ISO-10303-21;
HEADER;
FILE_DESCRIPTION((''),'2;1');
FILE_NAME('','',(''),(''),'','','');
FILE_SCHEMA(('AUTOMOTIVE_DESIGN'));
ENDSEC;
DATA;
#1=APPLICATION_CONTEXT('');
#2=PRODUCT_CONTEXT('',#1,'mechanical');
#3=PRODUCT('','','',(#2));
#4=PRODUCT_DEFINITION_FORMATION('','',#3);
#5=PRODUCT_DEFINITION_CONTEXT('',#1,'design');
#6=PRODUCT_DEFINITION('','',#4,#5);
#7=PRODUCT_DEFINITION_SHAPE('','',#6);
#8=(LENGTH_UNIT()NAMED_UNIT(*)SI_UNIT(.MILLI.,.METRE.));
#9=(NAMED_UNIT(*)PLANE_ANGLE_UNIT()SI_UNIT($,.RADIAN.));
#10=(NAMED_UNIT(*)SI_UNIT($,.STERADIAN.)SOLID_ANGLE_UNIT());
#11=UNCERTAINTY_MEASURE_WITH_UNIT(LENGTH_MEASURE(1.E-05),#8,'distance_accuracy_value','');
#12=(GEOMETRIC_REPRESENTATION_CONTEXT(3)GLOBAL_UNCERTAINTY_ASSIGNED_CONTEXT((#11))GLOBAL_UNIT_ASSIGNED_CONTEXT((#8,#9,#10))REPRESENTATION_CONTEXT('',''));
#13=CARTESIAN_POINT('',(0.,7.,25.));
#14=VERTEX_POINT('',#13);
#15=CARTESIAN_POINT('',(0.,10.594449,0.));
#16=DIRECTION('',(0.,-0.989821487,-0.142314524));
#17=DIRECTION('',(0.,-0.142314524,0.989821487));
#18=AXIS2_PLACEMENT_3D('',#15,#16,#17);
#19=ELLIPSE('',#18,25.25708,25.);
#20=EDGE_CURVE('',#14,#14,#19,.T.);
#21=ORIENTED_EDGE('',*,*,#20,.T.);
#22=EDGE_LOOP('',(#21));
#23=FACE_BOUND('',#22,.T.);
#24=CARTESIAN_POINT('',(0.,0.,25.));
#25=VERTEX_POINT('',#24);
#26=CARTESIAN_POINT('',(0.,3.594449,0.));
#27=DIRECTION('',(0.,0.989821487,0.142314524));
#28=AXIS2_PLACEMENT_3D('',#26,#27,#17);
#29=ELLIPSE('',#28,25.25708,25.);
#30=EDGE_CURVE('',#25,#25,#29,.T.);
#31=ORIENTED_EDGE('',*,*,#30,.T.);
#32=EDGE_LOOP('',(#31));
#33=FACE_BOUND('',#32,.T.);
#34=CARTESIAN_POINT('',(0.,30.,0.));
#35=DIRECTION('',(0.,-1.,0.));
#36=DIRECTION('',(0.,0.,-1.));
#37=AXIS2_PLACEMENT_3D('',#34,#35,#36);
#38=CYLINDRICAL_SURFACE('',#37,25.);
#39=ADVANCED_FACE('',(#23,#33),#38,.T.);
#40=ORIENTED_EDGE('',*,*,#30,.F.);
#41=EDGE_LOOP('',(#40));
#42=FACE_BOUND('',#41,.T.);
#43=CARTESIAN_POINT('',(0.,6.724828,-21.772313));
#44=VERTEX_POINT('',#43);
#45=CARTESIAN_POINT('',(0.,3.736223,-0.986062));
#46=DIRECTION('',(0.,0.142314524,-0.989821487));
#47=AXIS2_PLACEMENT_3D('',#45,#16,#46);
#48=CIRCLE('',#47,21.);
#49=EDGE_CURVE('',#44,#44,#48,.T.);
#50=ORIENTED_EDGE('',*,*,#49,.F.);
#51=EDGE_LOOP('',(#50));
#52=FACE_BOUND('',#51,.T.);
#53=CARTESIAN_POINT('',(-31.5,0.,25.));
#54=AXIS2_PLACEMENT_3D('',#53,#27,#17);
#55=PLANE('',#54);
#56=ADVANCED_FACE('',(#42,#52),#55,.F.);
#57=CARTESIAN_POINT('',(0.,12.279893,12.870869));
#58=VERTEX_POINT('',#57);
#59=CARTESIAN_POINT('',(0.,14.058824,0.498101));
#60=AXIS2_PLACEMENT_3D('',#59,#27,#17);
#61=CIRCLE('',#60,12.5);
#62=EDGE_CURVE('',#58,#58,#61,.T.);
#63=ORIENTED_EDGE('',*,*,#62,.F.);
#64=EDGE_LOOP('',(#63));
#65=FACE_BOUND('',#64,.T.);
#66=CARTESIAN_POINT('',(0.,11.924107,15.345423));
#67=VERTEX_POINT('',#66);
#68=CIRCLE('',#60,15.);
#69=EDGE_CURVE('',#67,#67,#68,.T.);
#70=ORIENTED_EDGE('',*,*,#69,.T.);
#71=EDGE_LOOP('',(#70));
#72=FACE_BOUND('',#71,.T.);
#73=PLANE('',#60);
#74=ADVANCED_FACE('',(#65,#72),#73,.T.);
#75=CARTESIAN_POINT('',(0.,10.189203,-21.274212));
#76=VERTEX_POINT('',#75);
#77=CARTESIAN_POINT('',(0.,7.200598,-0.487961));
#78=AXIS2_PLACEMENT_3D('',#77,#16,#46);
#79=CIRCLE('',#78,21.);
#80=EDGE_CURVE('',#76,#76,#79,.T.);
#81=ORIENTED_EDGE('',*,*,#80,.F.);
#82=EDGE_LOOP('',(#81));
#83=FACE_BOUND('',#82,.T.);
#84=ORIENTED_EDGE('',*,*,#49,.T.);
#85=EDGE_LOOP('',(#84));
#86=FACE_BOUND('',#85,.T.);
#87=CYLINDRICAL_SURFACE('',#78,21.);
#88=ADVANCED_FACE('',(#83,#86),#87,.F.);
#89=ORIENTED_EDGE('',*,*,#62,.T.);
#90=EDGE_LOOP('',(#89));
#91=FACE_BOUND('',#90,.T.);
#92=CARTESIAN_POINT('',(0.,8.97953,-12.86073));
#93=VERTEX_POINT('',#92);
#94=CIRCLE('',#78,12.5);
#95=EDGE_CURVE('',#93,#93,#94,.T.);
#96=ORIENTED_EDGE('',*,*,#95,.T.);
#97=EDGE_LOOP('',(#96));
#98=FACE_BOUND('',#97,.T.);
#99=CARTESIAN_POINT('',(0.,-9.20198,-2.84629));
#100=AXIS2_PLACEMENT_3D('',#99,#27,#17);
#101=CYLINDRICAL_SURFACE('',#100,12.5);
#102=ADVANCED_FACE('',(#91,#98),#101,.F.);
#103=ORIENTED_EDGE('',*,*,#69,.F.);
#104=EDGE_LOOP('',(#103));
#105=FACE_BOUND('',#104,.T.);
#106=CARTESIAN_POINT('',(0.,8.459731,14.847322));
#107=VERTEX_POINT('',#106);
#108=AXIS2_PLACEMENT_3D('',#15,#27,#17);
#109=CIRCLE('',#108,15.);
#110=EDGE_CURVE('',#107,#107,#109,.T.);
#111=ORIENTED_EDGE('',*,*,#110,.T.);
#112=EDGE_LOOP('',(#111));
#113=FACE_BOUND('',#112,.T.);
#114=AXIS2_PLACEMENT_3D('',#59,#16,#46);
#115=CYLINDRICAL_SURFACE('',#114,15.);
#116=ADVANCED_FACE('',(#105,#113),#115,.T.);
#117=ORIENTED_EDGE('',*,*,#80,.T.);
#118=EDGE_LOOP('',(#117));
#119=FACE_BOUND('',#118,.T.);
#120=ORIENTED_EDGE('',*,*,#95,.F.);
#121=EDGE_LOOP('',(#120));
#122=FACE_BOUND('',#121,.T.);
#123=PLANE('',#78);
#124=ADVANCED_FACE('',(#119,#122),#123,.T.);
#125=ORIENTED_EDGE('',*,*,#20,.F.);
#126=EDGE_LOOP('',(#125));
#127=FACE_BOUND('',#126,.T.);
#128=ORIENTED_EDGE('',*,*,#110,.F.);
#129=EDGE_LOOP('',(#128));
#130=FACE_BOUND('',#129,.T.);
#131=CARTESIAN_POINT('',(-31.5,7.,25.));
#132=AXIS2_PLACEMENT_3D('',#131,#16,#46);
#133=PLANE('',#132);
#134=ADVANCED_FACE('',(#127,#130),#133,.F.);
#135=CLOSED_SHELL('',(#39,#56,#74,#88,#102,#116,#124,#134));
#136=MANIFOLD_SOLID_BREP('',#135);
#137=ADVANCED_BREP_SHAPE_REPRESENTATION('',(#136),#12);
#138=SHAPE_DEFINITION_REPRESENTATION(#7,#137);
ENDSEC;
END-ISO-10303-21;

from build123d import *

# Parameters (mm, degrees)
SKETCH_1_R          = 25
EXTRUDE_1_DEPTH     = 30
CUT_EXTRUDE_1_DEPTH = 31.5
SKETCH_10_R         = 15
EXTRUDE_2_DEPTH     = 3.5
SKETCH_11_R         = 21
CUT_EXTRUDE_8_DEPTH = 3.5
SKETCH_12_R         = 12.5
CUT_EXTRUDE_9_DEPTH = 23.5


with BuildPart() as part:
    # 草图1 → 凸台-拉伸1 (new body)
    with BuildSketch(Plane(origin=(0, 0, 0), x_dir=(1, 0, 0), z_dir=(0, 1, 0))):
        Circle(SKETCH_1_R)
    extrude(amount=EXTRUDE_1_DEPTH)

    # 草图3 → 切除-拉伸1 (cut, symmetric)
    with BuildSketch(Plane(origin=(0, 0, 0), x_dir=(0, 0, -1), z_dir=(1, 0, 0))):
        Polygon((-25, 7), (25, 14.188898505), (25, 39.510034579), (-25, 39.510034579), align=None)
        Polygon((-25, 0), (25, 7.188898505), (25, -11.572478834), (-25, -11.572478834), align=None)
    extrude(amount=CUT_EXTRUDE_1_DEPTH, both=True, mode=Mode.SUBTRACT)

    # 草图10 → 凸台-拉伸2 (add)
    with BuildSketch(Plane(origin=(0, 10.379875382, 1.492397412), x_dir=(1, 0, 0), z_dir=(0, 0.989821487, 0.142314524))):
        with Locations((0, 1.507744004)):
            Circle(SKETCH_10_R)
    extrude(amount=EXTRUDE_2_DEPTH)

    # 草图11 → 切除-拉伸8 (cut)
    with BuildSketch(Plane(origin=(0, 3.521649349, 0.506335595), x_dir=(1, 0, 0), z_dir=(0, -0.989821487, -0.142314524))):
        with Locations((0, -1.507744004)):
            Circle(SKETCH_11_R)
    extrude(amount=-CUT_EXTRUDE_8_DEPTH, mode=Mode.SUBTRACT)

    # 草图12 → 切除-拉伸9 (cut)
    with BuildSketch(Plane(origin=(0, 13.844250587, 1.990498247), x_dir=(1, 0, 0), z_dir=(0, 0.989821487, 0.142314524))):
        with Locations((0, 1.507744004)):
            Circle(SKETCH_12_R)
    extrude(amount=-CUT_EXTRUDE_9_DEPTH, mode=Mode.SUBTRACT)


solid = part.part
